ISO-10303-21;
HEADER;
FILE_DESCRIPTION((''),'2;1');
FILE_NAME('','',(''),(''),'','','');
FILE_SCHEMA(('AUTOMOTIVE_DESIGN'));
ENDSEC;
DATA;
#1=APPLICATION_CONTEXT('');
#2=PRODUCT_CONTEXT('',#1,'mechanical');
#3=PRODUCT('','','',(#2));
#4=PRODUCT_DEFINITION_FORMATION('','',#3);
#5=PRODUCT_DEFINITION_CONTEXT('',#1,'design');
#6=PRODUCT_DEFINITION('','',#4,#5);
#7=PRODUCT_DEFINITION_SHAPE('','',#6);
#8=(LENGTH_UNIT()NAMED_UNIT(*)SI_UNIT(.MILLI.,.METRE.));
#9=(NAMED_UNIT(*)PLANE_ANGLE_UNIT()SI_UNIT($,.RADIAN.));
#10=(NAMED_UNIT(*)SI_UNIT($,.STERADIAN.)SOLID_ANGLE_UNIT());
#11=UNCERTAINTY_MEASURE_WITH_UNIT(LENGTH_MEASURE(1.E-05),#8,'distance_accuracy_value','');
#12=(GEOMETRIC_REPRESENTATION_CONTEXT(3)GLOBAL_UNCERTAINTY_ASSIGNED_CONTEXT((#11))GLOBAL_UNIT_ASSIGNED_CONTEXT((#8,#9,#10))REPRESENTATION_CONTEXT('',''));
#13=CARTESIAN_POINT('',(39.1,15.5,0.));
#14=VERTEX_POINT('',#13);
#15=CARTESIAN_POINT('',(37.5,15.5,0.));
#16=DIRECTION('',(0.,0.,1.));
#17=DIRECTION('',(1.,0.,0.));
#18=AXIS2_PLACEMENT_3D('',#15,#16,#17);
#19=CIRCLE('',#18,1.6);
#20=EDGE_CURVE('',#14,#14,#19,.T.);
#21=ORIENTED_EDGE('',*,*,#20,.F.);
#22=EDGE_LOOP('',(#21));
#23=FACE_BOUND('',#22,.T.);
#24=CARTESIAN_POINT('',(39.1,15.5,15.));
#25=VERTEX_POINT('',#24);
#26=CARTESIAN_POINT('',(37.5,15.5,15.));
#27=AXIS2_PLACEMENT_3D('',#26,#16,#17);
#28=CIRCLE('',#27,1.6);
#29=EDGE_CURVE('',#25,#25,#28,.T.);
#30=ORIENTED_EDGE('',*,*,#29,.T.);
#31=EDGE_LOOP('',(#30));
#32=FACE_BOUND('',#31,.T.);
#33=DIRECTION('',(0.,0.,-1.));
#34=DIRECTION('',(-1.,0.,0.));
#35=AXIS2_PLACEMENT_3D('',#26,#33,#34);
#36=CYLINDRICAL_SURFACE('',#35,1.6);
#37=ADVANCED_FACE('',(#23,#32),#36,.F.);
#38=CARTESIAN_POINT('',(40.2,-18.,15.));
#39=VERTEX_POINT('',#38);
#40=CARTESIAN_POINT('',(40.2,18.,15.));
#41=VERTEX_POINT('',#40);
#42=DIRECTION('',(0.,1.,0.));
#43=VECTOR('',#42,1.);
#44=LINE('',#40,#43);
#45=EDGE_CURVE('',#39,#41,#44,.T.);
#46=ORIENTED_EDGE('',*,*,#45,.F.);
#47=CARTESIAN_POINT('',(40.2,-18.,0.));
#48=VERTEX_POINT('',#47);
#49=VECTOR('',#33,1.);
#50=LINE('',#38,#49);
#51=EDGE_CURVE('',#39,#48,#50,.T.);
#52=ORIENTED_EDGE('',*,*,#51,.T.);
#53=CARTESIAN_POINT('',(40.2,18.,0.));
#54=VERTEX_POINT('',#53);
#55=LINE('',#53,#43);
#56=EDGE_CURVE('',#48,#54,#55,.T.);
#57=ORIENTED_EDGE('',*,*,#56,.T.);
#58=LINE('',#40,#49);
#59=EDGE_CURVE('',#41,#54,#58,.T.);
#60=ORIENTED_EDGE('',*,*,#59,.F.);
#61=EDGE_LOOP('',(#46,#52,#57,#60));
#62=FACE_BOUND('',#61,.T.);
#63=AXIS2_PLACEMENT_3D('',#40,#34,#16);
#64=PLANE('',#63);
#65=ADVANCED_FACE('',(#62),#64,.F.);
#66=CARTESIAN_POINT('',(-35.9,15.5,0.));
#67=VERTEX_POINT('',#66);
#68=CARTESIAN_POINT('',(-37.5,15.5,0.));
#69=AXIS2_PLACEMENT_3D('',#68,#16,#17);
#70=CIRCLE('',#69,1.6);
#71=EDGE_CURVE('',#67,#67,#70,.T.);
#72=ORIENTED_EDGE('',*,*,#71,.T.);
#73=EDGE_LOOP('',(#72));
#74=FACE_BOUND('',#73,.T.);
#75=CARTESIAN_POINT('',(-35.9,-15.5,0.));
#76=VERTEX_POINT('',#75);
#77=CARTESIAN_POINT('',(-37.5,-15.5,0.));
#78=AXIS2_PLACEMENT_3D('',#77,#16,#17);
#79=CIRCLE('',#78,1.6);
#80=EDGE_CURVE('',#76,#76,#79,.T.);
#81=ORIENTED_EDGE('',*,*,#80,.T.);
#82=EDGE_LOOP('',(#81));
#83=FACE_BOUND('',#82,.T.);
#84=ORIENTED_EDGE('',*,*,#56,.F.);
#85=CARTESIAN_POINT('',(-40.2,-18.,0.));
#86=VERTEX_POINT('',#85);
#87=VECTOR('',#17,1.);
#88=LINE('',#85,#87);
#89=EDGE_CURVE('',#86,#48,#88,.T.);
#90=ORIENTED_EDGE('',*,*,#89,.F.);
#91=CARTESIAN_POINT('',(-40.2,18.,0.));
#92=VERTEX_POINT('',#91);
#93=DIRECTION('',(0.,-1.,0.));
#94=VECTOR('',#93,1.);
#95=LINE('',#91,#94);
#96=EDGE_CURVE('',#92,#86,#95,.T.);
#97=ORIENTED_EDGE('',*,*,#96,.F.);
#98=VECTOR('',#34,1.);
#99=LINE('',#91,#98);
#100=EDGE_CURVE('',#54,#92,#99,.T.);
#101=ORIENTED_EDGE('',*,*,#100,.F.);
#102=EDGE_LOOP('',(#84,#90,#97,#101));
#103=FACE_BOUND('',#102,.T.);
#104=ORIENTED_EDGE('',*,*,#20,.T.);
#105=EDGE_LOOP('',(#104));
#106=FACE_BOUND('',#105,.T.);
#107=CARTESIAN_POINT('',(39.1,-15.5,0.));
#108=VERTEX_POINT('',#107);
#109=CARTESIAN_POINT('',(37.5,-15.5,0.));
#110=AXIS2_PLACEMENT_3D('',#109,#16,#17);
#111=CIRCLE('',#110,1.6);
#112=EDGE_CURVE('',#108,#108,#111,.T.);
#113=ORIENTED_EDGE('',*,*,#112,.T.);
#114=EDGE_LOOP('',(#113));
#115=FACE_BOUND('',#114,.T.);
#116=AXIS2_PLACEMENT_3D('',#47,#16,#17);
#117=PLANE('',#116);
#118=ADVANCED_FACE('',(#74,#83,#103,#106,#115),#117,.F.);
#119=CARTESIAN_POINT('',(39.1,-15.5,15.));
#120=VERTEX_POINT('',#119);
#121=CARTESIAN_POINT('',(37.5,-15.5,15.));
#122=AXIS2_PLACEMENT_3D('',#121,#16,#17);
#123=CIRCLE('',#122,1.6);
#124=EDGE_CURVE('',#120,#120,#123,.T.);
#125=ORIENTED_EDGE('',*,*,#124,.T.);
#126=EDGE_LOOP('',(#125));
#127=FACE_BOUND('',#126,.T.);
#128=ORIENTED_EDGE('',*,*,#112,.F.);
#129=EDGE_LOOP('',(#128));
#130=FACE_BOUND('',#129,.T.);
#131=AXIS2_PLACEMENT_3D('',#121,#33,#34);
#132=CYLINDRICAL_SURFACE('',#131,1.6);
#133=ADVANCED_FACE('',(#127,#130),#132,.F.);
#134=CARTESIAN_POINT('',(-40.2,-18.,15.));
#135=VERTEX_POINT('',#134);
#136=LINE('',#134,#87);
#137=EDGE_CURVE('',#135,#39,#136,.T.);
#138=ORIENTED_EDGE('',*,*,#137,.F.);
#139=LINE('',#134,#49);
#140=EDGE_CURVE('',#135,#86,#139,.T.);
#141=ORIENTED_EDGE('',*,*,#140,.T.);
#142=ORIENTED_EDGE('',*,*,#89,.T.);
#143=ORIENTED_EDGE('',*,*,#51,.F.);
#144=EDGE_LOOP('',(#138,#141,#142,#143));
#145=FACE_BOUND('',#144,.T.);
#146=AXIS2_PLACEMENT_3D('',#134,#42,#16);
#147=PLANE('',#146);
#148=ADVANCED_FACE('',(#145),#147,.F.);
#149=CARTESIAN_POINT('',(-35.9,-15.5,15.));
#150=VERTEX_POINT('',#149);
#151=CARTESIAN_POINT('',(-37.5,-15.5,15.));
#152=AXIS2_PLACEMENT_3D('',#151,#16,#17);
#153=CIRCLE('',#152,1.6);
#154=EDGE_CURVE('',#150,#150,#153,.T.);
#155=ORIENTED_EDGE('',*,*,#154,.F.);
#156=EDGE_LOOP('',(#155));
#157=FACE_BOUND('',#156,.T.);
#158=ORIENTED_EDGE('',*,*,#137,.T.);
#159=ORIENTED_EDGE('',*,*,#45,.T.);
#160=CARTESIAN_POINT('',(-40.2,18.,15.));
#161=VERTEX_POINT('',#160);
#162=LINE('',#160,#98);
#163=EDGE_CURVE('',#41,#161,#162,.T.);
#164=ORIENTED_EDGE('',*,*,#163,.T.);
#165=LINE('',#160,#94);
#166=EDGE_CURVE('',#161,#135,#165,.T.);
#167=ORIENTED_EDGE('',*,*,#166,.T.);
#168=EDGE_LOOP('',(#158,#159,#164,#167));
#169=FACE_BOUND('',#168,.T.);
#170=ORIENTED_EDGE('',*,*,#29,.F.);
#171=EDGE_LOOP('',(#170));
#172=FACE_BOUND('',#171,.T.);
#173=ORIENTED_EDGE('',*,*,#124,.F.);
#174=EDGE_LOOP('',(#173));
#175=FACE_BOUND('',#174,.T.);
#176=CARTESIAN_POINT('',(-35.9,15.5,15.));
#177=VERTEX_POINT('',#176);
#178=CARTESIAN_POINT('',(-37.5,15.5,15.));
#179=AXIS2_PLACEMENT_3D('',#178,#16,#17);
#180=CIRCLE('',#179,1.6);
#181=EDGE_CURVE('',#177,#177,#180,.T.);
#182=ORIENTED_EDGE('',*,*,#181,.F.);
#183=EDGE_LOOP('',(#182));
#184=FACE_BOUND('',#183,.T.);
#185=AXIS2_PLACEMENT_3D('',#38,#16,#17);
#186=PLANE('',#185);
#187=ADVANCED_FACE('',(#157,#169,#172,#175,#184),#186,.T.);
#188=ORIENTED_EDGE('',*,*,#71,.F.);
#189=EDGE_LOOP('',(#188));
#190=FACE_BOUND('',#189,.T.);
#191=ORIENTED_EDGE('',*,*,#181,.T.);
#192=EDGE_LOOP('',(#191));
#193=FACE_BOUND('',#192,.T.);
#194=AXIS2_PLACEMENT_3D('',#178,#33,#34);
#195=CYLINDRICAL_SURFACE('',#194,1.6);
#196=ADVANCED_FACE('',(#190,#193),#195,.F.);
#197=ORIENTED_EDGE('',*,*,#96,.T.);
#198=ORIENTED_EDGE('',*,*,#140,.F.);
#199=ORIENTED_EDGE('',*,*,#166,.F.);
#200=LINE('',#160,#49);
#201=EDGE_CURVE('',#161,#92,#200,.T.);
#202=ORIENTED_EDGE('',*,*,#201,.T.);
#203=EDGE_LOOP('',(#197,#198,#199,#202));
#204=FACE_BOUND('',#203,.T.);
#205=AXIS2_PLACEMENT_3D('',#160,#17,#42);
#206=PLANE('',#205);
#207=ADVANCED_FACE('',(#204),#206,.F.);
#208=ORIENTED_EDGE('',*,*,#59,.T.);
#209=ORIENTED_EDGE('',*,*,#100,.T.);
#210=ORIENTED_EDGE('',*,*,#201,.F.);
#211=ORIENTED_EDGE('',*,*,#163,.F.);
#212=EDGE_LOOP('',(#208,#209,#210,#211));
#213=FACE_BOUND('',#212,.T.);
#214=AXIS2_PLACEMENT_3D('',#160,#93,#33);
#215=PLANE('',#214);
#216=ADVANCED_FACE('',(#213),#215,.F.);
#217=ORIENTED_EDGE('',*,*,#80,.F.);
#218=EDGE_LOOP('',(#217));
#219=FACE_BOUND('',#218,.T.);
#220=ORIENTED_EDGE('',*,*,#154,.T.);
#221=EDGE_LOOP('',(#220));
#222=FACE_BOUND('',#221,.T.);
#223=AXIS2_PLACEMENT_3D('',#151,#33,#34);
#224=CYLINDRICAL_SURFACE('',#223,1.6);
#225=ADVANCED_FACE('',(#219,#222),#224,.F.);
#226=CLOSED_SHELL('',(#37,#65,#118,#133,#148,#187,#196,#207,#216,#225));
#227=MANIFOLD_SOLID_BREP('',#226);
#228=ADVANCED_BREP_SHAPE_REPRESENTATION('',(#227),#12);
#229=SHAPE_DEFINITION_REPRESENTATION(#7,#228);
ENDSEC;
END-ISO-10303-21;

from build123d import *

# Parameters (mm, degrees)
SKETCH_1_W      = 80.4
SKETCH_1_H      = 36
SKETCH_1_R      = 1.6
EXTRUDE_1_DEPTH = 15


with BuildPart() as part:
    # 草圖1 → 伸長1 (new body)
    with BuildSketch(Plane.XY):
        Rectangle(SKETCH_1_W, SKETCH_1_H)
        with Locations((-37.5, 15.5)):
            Circle(SKETCH_1_R, mode=Mode.SUBTRACT)
        with Locations((-37.5, -15.5)):
            Circle(SKETCH_1_R, mode=Mode.SUBTRACT)
        with Locations((37.5, -15.5)):
            Circle(SKETCH_1_R, mode=Mode.SUBTRACT)
        with Locations((37.5, 15.5)):
            Circle(SKETCH_1_R, mode=Mode.SUBTRACT)
    extrude(amount=EXTRUDE_1_DEPTH)


solid = part.part
